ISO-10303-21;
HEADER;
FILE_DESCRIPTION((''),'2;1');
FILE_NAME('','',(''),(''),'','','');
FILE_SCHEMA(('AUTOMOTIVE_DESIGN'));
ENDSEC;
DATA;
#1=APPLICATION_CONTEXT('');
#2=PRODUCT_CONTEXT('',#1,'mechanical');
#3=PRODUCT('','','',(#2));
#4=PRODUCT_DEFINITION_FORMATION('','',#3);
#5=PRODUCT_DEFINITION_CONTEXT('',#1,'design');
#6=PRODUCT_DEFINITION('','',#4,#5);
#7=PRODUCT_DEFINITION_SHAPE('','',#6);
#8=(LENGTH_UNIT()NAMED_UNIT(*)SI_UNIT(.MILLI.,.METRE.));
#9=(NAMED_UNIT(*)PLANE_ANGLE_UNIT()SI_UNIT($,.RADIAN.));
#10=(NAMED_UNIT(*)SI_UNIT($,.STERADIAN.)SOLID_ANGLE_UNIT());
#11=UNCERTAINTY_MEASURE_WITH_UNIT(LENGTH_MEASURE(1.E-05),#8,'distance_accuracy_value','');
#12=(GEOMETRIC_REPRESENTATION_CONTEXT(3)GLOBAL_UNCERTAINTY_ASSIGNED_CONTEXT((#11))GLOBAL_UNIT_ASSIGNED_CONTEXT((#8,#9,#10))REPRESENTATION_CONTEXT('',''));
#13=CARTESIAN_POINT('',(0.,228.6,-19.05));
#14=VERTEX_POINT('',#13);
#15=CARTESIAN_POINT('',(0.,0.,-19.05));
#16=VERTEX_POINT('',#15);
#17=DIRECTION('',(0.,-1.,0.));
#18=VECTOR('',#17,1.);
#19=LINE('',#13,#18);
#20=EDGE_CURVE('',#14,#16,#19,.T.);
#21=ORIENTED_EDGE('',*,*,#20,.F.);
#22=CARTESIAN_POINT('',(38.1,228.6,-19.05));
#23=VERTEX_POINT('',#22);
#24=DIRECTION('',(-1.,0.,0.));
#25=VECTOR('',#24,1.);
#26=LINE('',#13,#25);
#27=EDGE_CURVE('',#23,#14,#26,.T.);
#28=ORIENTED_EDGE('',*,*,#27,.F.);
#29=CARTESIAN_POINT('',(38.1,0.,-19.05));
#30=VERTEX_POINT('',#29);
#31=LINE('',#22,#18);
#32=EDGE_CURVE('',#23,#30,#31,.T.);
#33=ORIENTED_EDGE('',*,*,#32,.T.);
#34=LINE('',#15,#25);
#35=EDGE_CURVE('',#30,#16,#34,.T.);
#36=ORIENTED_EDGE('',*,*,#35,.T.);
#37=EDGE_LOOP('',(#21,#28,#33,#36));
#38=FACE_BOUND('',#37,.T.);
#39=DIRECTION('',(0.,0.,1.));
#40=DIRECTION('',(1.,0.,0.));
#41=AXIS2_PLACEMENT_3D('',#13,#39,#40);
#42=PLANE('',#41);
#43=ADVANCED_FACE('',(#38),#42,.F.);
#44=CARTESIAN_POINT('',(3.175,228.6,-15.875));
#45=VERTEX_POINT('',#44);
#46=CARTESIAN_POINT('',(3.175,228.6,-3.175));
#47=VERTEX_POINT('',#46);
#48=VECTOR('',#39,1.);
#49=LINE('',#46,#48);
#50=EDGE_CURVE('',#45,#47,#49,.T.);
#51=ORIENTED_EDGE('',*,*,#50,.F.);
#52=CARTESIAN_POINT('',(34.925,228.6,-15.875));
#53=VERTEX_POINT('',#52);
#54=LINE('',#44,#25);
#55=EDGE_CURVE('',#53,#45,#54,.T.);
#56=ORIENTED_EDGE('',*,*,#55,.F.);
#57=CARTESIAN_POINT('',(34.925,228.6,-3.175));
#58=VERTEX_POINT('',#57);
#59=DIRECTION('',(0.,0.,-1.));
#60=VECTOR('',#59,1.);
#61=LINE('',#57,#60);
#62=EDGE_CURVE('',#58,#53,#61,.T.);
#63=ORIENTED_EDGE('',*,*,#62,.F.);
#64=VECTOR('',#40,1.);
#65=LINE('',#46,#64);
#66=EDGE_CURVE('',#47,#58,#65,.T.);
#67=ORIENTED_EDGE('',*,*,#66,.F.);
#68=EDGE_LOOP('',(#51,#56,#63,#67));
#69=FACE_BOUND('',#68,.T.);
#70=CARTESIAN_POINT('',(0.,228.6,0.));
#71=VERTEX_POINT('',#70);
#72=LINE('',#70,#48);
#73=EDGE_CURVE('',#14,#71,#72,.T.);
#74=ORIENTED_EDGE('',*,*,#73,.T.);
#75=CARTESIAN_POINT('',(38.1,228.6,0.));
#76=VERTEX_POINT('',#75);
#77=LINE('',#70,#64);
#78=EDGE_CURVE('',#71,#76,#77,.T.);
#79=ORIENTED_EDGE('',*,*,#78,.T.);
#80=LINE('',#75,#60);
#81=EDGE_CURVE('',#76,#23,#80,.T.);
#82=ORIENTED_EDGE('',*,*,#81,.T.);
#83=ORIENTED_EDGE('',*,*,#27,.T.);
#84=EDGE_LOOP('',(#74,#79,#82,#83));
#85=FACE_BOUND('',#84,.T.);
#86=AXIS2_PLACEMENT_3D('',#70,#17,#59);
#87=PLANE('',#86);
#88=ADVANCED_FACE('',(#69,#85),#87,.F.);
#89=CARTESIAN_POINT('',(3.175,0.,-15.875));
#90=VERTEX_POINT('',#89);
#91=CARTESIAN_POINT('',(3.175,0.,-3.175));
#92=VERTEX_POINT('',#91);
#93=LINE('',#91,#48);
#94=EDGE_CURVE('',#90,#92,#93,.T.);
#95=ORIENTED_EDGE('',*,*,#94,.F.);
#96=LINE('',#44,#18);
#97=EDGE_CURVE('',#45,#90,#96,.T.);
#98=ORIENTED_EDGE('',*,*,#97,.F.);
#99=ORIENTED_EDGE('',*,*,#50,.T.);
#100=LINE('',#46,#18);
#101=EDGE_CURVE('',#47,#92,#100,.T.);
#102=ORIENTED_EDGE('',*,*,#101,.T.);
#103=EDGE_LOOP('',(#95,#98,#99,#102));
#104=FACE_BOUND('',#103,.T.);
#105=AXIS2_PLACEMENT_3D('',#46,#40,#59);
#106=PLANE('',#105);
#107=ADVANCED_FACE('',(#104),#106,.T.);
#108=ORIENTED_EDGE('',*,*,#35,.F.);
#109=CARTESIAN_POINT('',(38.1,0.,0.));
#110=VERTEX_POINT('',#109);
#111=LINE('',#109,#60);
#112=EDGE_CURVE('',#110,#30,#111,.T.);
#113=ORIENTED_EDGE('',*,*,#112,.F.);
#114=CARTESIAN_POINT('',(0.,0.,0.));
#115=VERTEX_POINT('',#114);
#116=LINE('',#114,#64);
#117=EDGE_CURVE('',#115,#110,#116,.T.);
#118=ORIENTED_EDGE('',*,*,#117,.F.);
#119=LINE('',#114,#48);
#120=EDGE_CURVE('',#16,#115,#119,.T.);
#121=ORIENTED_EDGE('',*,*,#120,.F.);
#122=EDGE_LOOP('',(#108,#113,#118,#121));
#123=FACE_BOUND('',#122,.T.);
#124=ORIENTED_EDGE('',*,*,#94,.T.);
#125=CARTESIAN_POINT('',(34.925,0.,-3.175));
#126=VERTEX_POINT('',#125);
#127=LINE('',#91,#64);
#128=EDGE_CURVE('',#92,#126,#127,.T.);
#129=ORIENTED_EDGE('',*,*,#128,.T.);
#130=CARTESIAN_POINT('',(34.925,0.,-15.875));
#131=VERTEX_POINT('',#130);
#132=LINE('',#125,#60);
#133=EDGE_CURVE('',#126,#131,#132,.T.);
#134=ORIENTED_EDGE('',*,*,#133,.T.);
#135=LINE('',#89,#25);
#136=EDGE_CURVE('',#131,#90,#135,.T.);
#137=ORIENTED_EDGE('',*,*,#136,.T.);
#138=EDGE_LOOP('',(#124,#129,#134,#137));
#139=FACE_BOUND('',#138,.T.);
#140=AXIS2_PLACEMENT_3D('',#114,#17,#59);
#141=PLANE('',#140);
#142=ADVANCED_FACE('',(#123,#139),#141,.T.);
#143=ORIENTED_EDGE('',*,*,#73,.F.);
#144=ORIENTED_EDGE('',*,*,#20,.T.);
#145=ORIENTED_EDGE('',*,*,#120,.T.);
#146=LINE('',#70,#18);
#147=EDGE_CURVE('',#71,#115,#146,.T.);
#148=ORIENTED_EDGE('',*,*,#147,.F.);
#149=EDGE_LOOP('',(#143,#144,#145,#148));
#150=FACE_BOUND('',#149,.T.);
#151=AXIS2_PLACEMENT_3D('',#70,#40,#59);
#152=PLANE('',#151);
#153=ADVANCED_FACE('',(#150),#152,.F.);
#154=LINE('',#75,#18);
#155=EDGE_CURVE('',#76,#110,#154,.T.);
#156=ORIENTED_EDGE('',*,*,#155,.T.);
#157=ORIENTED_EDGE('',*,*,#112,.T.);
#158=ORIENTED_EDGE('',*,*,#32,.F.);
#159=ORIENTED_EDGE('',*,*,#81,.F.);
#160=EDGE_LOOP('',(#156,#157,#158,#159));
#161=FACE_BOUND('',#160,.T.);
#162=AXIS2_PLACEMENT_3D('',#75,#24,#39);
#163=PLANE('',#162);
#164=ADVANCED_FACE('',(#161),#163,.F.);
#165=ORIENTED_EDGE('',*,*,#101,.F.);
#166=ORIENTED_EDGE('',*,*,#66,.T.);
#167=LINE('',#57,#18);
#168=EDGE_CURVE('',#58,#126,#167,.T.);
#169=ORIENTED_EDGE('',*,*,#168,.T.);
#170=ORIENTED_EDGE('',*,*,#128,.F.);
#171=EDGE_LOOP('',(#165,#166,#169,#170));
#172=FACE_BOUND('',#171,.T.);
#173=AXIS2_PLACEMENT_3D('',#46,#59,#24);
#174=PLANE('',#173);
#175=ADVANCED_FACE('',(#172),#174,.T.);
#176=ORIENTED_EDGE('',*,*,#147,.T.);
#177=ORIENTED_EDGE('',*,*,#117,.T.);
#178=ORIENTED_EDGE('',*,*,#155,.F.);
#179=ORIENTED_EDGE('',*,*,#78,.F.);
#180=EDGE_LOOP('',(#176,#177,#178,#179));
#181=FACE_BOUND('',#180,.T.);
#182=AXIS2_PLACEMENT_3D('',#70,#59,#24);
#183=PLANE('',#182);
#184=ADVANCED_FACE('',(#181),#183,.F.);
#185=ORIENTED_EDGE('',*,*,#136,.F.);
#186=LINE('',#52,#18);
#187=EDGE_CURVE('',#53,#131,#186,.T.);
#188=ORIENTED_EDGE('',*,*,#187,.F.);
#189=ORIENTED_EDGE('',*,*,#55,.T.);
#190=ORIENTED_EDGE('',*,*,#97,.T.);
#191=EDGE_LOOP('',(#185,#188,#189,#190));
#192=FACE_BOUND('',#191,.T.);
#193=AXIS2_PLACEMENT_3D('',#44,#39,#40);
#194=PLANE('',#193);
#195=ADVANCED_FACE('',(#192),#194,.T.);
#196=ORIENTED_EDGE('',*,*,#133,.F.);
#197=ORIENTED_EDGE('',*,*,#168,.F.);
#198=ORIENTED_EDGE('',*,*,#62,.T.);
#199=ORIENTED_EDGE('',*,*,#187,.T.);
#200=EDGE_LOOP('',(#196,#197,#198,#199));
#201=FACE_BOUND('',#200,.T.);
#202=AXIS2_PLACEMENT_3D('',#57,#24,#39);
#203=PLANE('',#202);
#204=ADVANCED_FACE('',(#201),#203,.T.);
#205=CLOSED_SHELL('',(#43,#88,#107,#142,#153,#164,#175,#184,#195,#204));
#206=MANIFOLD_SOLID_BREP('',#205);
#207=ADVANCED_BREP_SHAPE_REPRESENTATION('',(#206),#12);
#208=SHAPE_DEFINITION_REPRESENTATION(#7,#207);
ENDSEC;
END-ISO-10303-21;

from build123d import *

# Parameters (mm, degrees)
SKETCH1_W           = 38.1
SKETCH1_H           = 19.05
SKETCH1_W_2         = 31.75
SKETCH1_H_2         = 12.7
BOSS_EXTRUDE1_DEPTH = 228.6


with BuildPart() as part:
    # Sketch1 → Boss-Extrude1 (new body)
    with BuildSketch(Plane(origin=(0, 0, 0), x_dir=(1, 0, 0), z_dir=(0, 1, 0))):
        with Locations((19.05, 9.525)):
            Rectangle(SKETCH1_W, SKETCH1_H)
        with Locations((19.05, 9.525)):
            Rectangle(SKETCH1_W_2, SKETCH1_H_2, mode=Mode.SUBTRACT)
    extrude(amount=BOSS_EXTRUDE1_DEPTH)


solid = part.part
